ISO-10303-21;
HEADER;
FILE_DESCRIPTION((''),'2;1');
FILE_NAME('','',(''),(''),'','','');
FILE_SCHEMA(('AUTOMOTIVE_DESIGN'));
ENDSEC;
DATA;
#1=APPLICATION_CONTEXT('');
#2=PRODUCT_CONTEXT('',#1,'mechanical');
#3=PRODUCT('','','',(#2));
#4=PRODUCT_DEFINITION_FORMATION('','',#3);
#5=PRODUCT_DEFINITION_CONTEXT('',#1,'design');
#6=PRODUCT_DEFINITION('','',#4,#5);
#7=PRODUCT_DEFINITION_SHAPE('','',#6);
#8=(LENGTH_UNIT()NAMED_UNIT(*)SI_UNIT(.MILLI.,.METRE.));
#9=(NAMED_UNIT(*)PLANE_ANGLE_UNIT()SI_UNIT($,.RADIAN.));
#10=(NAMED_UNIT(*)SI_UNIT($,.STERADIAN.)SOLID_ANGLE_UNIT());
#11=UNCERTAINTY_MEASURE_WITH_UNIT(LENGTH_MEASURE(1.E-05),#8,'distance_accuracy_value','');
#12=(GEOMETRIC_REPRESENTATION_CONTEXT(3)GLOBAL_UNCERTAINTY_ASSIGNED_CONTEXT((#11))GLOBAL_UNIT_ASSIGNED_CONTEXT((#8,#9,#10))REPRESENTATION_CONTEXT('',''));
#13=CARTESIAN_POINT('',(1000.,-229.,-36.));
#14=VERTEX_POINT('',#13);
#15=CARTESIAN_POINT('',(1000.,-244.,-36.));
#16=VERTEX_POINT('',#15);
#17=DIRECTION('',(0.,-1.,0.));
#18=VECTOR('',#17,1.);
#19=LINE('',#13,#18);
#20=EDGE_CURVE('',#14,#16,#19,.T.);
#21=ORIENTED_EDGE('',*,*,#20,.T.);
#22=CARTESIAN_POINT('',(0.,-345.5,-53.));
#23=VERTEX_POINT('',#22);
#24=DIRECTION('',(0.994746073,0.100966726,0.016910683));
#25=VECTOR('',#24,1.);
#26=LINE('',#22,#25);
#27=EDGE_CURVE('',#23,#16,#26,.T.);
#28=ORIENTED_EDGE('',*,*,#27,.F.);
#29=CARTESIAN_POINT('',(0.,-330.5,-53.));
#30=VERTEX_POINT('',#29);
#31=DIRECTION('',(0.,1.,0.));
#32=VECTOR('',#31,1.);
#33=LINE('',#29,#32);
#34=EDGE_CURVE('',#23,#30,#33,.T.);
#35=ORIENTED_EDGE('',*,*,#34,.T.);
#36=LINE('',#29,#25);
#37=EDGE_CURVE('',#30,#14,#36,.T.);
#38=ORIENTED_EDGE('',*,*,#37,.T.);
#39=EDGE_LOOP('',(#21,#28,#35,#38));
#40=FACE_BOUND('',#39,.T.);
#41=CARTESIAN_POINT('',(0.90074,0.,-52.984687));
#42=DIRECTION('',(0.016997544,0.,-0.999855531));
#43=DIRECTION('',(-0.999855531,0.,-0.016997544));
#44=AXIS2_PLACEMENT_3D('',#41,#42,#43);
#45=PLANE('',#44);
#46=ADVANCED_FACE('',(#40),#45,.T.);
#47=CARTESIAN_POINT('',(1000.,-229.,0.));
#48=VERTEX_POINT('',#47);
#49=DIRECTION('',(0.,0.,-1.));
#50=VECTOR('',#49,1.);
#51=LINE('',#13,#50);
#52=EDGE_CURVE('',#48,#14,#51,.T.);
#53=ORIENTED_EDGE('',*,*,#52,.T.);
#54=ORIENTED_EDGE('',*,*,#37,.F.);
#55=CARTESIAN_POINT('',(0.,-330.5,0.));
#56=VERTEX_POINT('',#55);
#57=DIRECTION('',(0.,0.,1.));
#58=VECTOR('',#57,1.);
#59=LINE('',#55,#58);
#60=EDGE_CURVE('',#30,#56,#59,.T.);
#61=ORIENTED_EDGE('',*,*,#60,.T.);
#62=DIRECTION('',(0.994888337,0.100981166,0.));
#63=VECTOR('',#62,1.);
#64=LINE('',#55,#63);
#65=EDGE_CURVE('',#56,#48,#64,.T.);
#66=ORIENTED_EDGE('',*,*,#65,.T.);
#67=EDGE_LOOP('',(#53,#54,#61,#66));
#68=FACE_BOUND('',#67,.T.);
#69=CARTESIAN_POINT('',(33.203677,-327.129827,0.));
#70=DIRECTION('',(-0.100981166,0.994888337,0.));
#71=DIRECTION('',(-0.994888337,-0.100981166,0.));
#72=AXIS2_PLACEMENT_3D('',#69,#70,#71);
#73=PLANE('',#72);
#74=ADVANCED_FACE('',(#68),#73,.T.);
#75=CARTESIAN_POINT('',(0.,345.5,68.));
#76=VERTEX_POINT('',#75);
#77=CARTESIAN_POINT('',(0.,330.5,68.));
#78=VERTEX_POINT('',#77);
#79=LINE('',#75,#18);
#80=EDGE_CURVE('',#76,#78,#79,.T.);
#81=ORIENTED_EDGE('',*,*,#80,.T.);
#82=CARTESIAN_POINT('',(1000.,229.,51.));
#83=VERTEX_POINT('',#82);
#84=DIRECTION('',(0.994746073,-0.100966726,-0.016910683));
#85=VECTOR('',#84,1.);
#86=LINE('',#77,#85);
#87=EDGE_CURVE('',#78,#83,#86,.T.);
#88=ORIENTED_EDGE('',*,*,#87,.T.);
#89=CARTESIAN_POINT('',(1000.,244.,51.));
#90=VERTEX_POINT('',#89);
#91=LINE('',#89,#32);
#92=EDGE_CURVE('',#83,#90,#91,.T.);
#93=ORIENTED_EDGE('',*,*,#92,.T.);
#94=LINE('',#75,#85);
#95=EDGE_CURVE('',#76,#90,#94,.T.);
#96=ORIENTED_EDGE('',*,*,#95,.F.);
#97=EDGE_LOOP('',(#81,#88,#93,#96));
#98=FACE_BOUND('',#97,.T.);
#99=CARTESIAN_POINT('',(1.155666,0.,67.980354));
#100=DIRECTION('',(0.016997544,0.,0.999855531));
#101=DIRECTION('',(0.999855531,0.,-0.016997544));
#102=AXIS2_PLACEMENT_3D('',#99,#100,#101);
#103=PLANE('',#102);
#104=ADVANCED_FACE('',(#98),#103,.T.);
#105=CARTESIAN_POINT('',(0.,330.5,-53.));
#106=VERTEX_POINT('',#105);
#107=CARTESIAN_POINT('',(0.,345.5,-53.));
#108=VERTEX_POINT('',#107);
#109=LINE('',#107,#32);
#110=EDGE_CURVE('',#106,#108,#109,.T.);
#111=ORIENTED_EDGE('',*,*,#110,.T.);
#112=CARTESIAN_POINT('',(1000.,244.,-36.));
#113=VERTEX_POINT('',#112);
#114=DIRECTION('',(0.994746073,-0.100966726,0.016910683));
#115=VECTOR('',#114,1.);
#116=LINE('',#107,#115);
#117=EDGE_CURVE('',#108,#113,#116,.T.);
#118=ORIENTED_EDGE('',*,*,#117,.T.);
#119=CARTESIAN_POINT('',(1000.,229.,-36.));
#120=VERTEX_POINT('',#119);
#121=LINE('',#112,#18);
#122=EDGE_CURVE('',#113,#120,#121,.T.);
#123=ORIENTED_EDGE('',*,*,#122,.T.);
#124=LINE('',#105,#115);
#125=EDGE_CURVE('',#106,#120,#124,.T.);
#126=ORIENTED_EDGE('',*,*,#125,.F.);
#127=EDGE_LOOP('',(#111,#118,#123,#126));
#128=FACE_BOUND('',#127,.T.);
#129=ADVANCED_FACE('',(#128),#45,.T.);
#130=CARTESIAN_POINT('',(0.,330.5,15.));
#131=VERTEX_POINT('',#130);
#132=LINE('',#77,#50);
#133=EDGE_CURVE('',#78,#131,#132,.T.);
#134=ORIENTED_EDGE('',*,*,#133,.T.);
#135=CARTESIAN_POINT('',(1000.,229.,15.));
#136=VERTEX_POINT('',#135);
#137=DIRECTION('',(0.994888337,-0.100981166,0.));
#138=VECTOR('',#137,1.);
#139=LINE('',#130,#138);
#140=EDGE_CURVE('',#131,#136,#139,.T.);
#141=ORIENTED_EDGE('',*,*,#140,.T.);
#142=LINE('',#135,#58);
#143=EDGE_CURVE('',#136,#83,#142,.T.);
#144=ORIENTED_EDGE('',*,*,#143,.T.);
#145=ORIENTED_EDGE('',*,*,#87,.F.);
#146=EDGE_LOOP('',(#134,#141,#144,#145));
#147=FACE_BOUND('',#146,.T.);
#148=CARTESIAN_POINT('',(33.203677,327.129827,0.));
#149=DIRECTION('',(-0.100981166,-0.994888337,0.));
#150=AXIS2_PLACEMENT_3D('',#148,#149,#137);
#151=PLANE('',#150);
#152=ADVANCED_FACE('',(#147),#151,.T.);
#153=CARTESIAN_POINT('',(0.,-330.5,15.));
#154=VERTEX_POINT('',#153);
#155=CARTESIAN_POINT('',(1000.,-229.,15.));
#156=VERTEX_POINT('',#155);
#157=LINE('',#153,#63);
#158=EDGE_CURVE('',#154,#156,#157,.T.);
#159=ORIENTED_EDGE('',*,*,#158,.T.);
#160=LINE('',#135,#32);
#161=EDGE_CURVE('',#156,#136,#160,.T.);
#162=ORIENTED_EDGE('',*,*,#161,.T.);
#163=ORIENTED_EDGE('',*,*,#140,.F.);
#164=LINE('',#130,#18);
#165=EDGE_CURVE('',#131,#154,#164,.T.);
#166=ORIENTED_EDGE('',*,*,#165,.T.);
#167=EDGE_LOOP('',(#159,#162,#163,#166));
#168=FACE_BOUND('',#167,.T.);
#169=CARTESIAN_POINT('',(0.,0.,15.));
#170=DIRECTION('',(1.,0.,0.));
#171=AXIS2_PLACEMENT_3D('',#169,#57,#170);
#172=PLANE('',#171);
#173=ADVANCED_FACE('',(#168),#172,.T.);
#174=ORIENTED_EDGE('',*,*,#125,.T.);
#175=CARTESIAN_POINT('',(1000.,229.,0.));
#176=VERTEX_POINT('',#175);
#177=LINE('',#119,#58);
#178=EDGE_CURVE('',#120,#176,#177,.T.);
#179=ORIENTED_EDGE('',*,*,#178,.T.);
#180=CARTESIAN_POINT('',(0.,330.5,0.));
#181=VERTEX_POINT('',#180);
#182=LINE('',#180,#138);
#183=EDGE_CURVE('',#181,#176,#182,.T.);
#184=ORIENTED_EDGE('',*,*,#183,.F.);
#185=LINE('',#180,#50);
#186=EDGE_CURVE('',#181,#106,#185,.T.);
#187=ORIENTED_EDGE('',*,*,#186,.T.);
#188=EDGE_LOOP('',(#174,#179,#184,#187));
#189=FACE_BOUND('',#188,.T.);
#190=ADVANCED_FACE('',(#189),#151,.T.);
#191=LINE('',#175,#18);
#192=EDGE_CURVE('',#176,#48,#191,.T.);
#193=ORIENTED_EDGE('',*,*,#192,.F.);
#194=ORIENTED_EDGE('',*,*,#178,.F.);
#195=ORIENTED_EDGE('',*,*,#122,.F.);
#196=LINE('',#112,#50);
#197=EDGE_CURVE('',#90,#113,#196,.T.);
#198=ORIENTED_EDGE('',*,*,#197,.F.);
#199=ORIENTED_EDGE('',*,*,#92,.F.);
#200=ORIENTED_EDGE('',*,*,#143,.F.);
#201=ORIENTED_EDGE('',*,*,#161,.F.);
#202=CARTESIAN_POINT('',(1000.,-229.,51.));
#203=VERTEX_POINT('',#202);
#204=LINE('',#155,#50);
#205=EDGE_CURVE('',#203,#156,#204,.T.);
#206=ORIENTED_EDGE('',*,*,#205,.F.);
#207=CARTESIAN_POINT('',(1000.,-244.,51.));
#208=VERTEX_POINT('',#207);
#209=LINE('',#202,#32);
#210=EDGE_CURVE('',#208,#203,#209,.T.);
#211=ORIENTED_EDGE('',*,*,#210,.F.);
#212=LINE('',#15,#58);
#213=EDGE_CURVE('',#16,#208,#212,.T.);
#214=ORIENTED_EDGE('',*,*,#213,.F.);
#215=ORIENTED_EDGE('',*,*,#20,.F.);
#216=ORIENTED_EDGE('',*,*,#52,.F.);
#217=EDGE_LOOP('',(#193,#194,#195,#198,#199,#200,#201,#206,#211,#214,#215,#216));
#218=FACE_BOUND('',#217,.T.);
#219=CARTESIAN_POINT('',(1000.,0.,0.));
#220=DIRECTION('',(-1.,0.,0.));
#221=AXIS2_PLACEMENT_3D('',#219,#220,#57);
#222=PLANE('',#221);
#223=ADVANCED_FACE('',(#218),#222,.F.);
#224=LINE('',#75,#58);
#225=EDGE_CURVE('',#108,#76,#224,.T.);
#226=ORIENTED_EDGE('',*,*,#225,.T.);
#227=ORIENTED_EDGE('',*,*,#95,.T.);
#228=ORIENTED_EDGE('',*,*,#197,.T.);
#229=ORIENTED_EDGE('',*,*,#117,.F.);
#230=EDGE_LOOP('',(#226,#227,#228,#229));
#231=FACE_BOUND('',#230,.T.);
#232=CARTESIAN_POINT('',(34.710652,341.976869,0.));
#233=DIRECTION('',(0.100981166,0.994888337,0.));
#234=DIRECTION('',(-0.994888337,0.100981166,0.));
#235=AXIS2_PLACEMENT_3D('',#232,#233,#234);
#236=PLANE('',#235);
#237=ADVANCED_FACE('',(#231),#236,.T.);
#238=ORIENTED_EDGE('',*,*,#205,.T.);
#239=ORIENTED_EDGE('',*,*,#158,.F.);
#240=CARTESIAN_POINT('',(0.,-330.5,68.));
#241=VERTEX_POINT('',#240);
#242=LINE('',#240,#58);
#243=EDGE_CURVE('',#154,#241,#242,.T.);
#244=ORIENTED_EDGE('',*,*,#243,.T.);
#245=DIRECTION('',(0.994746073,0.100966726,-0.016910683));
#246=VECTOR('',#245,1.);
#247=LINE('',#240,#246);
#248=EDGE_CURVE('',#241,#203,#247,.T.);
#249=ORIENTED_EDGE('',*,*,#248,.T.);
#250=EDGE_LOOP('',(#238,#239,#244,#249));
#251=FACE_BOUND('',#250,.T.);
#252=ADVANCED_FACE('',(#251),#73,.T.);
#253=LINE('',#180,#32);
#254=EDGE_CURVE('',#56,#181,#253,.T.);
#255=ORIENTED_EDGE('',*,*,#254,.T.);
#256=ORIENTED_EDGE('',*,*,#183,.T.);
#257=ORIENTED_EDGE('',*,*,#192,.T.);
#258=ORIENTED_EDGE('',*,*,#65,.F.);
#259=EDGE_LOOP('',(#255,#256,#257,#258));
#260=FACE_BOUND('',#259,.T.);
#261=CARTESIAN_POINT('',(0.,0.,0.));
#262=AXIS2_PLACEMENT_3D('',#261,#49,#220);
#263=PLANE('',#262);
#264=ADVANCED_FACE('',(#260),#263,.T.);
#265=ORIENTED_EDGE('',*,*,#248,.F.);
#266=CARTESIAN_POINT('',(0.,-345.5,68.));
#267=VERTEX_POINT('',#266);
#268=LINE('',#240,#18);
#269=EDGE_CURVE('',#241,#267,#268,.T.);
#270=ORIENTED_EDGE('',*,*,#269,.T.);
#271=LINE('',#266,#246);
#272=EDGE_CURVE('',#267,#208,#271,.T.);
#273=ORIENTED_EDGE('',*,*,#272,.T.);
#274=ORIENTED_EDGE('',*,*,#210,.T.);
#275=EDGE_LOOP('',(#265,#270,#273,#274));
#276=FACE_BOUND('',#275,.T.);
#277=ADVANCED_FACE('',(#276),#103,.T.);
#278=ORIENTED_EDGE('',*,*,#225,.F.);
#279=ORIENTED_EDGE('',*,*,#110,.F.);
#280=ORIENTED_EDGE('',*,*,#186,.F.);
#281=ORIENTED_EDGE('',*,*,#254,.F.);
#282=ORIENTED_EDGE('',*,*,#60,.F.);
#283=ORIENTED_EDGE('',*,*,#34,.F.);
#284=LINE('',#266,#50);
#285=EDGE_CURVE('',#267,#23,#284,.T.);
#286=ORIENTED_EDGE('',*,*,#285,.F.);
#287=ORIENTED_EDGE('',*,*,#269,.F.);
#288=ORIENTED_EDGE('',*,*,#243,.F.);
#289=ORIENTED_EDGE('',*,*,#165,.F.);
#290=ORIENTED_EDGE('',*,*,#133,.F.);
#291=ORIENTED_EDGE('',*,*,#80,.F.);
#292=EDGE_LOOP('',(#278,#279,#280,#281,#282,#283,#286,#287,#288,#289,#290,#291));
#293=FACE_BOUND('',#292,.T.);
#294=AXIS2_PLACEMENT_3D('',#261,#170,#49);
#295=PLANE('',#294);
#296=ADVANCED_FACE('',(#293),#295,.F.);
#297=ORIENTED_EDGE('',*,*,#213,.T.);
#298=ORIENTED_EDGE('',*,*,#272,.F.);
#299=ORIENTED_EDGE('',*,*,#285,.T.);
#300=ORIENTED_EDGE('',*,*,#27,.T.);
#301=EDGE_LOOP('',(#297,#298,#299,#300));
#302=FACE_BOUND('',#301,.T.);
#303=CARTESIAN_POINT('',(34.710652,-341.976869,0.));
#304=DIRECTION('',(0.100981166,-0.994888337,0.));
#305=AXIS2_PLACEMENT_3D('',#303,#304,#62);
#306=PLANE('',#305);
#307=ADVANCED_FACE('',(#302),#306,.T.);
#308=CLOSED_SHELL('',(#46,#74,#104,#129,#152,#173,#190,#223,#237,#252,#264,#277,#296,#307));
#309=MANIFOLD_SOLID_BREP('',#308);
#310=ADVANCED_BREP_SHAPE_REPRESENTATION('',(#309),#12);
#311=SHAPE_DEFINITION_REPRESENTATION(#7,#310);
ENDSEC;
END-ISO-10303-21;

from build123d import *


with BuildPart() as part:
    # Sketch1 → Loft l3 section 0
    with BuildSketch(Plane(origin=(0, 0, 0), x_dir=(0, 0, -1), z_dir=(1, 0, 0))):
        Polygon((-68, 345.5), (53, 345.5), (53, 330.5), (0, 330.5), (0, -330.5), (53, -330.5), (53, -345.5), (-68, -345.5), (-68, -330.5), (-15, -330.5), (-15, 330.5), (-68, 330.5), align=None)
    # Sketch4 → Loft l3 section 1
    with BuildSketch(Plane(origin=(1000, 0, -1000), x_dir=(0, 0, 1), z_dir=(-1, 0, 0))):
        Polygon((964, 244), (1051, 244), (1051, 229), (1015, 229), (1015, -229), (1051, -229), (1051, -244), (964, -244), (964, -229), (1000, -229), (1000, 229), (964, 229), align=None)
    loft()


solid = part.part
